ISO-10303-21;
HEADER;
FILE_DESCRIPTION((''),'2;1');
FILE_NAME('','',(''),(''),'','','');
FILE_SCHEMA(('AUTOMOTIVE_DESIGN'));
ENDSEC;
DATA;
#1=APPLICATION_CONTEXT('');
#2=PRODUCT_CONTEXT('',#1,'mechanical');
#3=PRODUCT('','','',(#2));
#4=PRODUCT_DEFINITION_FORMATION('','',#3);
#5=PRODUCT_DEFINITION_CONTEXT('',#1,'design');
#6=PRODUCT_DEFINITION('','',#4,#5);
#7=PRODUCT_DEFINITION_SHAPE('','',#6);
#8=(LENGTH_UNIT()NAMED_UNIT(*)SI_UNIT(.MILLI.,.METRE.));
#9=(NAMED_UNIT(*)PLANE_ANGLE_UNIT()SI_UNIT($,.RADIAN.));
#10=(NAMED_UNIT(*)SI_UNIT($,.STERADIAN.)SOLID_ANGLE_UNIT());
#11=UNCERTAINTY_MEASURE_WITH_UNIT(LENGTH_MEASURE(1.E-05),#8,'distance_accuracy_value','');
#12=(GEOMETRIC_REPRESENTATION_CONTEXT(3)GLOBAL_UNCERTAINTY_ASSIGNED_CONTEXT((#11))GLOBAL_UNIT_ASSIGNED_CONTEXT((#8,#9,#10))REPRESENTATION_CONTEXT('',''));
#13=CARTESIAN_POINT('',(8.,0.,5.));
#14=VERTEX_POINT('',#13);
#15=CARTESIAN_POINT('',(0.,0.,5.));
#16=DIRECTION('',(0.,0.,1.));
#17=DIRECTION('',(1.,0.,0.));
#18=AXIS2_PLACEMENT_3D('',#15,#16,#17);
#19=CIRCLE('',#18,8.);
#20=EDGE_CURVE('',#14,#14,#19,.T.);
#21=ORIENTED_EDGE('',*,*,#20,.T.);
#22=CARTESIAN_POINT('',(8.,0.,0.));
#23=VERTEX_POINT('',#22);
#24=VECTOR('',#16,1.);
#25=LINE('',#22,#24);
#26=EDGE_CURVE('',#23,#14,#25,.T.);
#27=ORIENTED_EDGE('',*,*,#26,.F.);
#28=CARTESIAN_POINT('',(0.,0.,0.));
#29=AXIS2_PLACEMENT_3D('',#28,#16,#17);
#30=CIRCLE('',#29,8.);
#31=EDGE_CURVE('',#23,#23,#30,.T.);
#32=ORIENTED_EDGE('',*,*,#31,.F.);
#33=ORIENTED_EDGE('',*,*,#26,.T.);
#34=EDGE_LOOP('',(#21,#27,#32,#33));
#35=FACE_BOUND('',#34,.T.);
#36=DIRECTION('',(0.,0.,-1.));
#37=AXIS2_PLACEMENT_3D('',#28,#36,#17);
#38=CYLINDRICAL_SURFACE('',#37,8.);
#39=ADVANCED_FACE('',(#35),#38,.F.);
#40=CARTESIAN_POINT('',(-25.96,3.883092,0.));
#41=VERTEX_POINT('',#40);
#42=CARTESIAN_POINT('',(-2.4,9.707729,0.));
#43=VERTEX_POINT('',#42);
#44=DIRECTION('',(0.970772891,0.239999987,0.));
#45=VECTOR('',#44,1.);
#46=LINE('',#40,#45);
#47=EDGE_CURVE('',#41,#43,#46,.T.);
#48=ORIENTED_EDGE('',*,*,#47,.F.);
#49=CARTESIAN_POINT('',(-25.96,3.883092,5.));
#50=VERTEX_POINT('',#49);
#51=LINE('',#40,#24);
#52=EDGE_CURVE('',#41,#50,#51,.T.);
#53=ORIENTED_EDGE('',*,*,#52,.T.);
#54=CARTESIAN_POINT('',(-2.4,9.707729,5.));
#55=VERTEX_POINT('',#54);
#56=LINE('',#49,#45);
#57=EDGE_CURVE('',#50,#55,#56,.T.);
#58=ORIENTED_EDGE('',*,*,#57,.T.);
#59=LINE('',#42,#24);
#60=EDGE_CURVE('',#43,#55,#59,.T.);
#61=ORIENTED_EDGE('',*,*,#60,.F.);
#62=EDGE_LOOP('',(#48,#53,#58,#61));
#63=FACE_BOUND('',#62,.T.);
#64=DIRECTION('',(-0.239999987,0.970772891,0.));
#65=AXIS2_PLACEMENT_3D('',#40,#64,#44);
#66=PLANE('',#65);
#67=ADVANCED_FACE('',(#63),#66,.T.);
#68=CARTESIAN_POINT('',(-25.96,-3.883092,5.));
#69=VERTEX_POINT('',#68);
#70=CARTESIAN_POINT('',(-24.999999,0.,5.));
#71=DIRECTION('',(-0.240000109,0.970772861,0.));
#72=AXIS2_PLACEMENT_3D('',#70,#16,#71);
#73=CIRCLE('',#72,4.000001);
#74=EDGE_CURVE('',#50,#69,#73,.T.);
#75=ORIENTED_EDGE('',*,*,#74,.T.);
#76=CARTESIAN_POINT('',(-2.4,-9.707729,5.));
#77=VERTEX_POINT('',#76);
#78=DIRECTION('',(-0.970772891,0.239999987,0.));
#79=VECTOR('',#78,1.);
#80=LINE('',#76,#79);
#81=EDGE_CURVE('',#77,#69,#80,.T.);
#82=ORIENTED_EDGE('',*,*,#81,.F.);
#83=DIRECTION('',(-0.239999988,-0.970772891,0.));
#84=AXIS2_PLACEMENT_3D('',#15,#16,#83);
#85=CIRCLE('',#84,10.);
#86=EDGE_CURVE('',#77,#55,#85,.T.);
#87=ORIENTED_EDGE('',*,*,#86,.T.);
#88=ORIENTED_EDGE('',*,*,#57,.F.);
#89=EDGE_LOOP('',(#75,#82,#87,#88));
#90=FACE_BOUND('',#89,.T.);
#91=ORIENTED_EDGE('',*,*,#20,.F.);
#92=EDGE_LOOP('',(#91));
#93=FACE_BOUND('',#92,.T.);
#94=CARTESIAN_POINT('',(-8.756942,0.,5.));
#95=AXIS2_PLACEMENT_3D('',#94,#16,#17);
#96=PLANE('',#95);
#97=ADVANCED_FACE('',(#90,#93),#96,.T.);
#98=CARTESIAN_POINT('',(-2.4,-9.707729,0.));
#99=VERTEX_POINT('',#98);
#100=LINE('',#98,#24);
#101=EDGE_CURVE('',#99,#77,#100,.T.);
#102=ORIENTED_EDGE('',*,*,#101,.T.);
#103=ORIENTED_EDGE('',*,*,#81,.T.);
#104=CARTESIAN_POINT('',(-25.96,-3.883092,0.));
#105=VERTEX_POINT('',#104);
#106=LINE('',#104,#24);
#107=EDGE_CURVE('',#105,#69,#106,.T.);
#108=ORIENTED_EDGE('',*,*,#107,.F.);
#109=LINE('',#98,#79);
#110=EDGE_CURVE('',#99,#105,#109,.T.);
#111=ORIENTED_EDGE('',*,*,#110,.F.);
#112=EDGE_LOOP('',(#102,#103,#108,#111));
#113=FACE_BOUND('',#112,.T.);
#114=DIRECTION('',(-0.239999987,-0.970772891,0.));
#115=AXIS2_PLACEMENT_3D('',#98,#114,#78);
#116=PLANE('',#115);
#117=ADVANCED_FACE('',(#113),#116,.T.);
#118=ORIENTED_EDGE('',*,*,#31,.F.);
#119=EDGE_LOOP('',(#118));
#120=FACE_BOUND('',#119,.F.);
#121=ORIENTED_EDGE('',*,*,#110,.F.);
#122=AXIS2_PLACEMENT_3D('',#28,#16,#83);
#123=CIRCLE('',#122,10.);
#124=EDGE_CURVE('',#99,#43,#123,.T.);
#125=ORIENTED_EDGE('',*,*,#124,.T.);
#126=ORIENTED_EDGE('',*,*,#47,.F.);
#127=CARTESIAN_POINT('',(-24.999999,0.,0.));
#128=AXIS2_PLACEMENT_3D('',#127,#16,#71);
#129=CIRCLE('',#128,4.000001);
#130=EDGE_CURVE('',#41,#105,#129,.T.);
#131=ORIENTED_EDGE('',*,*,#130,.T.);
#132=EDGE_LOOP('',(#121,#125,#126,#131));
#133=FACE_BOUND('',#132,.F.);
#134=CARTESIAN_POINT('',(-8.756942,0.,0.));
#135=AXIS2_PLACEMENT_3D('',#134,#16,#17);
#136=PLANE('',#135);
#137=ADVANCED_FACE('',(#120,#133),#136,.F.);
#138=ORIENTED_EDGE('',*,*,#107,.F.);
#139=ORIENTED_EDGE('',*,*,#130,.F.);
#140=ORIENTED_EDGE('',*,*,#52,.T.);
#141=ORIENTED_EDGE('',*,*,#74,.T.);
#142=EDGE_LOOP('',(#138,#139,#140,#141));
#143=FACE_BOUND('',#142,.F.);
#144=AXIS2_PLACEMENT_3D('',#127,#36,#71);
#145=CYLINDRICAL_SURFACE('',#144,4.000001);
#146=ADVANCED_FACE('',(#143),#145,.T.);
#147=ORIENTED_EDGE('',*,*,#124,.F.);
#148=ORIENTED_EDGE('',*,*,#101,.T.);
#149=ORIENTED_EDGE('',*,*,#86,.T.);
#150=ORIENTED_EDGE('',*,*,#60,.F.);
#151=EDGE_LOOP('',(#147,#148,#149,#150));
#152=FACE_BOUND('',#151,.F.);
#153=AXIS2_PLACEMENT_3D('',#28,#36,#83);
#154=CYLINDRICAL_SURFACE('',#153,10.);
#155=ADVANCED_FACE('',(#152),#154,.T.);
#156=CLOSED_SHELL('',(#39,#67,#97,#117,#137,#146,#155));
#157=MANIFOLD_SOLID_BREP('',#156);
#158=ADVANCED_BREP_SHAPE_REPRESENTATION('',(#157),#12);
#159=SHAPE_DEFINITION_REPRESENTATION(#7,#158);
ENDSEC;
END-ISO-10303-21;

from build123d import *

# Parameters (mm, degrees)
SKETCH_R  = 8
PAD_DEPTH = 5


with BuildPart() as part:
    # Sketch → Pad (new body)
    with BuildSketch(Plane.XY):
        with BuildLine():
            ThreePointArc((-2.4, -9.707729), (10, 0), (-2.4, 9.707729))
            Line((-25.96, 3.883092), (-2.4, 9.707729))
            ThreePointArc((-25.96, 3.883092), (-29, 0), (-25.96, -3.883092))
            Line((-2.4, -9.707729), (-25.96, -3.883092))
        make_face()
        Circle(SKETCH_R, mode=Mode.SUBTRACT)
    extrude(amount=PAD_DEPTH)


solid = part.part
